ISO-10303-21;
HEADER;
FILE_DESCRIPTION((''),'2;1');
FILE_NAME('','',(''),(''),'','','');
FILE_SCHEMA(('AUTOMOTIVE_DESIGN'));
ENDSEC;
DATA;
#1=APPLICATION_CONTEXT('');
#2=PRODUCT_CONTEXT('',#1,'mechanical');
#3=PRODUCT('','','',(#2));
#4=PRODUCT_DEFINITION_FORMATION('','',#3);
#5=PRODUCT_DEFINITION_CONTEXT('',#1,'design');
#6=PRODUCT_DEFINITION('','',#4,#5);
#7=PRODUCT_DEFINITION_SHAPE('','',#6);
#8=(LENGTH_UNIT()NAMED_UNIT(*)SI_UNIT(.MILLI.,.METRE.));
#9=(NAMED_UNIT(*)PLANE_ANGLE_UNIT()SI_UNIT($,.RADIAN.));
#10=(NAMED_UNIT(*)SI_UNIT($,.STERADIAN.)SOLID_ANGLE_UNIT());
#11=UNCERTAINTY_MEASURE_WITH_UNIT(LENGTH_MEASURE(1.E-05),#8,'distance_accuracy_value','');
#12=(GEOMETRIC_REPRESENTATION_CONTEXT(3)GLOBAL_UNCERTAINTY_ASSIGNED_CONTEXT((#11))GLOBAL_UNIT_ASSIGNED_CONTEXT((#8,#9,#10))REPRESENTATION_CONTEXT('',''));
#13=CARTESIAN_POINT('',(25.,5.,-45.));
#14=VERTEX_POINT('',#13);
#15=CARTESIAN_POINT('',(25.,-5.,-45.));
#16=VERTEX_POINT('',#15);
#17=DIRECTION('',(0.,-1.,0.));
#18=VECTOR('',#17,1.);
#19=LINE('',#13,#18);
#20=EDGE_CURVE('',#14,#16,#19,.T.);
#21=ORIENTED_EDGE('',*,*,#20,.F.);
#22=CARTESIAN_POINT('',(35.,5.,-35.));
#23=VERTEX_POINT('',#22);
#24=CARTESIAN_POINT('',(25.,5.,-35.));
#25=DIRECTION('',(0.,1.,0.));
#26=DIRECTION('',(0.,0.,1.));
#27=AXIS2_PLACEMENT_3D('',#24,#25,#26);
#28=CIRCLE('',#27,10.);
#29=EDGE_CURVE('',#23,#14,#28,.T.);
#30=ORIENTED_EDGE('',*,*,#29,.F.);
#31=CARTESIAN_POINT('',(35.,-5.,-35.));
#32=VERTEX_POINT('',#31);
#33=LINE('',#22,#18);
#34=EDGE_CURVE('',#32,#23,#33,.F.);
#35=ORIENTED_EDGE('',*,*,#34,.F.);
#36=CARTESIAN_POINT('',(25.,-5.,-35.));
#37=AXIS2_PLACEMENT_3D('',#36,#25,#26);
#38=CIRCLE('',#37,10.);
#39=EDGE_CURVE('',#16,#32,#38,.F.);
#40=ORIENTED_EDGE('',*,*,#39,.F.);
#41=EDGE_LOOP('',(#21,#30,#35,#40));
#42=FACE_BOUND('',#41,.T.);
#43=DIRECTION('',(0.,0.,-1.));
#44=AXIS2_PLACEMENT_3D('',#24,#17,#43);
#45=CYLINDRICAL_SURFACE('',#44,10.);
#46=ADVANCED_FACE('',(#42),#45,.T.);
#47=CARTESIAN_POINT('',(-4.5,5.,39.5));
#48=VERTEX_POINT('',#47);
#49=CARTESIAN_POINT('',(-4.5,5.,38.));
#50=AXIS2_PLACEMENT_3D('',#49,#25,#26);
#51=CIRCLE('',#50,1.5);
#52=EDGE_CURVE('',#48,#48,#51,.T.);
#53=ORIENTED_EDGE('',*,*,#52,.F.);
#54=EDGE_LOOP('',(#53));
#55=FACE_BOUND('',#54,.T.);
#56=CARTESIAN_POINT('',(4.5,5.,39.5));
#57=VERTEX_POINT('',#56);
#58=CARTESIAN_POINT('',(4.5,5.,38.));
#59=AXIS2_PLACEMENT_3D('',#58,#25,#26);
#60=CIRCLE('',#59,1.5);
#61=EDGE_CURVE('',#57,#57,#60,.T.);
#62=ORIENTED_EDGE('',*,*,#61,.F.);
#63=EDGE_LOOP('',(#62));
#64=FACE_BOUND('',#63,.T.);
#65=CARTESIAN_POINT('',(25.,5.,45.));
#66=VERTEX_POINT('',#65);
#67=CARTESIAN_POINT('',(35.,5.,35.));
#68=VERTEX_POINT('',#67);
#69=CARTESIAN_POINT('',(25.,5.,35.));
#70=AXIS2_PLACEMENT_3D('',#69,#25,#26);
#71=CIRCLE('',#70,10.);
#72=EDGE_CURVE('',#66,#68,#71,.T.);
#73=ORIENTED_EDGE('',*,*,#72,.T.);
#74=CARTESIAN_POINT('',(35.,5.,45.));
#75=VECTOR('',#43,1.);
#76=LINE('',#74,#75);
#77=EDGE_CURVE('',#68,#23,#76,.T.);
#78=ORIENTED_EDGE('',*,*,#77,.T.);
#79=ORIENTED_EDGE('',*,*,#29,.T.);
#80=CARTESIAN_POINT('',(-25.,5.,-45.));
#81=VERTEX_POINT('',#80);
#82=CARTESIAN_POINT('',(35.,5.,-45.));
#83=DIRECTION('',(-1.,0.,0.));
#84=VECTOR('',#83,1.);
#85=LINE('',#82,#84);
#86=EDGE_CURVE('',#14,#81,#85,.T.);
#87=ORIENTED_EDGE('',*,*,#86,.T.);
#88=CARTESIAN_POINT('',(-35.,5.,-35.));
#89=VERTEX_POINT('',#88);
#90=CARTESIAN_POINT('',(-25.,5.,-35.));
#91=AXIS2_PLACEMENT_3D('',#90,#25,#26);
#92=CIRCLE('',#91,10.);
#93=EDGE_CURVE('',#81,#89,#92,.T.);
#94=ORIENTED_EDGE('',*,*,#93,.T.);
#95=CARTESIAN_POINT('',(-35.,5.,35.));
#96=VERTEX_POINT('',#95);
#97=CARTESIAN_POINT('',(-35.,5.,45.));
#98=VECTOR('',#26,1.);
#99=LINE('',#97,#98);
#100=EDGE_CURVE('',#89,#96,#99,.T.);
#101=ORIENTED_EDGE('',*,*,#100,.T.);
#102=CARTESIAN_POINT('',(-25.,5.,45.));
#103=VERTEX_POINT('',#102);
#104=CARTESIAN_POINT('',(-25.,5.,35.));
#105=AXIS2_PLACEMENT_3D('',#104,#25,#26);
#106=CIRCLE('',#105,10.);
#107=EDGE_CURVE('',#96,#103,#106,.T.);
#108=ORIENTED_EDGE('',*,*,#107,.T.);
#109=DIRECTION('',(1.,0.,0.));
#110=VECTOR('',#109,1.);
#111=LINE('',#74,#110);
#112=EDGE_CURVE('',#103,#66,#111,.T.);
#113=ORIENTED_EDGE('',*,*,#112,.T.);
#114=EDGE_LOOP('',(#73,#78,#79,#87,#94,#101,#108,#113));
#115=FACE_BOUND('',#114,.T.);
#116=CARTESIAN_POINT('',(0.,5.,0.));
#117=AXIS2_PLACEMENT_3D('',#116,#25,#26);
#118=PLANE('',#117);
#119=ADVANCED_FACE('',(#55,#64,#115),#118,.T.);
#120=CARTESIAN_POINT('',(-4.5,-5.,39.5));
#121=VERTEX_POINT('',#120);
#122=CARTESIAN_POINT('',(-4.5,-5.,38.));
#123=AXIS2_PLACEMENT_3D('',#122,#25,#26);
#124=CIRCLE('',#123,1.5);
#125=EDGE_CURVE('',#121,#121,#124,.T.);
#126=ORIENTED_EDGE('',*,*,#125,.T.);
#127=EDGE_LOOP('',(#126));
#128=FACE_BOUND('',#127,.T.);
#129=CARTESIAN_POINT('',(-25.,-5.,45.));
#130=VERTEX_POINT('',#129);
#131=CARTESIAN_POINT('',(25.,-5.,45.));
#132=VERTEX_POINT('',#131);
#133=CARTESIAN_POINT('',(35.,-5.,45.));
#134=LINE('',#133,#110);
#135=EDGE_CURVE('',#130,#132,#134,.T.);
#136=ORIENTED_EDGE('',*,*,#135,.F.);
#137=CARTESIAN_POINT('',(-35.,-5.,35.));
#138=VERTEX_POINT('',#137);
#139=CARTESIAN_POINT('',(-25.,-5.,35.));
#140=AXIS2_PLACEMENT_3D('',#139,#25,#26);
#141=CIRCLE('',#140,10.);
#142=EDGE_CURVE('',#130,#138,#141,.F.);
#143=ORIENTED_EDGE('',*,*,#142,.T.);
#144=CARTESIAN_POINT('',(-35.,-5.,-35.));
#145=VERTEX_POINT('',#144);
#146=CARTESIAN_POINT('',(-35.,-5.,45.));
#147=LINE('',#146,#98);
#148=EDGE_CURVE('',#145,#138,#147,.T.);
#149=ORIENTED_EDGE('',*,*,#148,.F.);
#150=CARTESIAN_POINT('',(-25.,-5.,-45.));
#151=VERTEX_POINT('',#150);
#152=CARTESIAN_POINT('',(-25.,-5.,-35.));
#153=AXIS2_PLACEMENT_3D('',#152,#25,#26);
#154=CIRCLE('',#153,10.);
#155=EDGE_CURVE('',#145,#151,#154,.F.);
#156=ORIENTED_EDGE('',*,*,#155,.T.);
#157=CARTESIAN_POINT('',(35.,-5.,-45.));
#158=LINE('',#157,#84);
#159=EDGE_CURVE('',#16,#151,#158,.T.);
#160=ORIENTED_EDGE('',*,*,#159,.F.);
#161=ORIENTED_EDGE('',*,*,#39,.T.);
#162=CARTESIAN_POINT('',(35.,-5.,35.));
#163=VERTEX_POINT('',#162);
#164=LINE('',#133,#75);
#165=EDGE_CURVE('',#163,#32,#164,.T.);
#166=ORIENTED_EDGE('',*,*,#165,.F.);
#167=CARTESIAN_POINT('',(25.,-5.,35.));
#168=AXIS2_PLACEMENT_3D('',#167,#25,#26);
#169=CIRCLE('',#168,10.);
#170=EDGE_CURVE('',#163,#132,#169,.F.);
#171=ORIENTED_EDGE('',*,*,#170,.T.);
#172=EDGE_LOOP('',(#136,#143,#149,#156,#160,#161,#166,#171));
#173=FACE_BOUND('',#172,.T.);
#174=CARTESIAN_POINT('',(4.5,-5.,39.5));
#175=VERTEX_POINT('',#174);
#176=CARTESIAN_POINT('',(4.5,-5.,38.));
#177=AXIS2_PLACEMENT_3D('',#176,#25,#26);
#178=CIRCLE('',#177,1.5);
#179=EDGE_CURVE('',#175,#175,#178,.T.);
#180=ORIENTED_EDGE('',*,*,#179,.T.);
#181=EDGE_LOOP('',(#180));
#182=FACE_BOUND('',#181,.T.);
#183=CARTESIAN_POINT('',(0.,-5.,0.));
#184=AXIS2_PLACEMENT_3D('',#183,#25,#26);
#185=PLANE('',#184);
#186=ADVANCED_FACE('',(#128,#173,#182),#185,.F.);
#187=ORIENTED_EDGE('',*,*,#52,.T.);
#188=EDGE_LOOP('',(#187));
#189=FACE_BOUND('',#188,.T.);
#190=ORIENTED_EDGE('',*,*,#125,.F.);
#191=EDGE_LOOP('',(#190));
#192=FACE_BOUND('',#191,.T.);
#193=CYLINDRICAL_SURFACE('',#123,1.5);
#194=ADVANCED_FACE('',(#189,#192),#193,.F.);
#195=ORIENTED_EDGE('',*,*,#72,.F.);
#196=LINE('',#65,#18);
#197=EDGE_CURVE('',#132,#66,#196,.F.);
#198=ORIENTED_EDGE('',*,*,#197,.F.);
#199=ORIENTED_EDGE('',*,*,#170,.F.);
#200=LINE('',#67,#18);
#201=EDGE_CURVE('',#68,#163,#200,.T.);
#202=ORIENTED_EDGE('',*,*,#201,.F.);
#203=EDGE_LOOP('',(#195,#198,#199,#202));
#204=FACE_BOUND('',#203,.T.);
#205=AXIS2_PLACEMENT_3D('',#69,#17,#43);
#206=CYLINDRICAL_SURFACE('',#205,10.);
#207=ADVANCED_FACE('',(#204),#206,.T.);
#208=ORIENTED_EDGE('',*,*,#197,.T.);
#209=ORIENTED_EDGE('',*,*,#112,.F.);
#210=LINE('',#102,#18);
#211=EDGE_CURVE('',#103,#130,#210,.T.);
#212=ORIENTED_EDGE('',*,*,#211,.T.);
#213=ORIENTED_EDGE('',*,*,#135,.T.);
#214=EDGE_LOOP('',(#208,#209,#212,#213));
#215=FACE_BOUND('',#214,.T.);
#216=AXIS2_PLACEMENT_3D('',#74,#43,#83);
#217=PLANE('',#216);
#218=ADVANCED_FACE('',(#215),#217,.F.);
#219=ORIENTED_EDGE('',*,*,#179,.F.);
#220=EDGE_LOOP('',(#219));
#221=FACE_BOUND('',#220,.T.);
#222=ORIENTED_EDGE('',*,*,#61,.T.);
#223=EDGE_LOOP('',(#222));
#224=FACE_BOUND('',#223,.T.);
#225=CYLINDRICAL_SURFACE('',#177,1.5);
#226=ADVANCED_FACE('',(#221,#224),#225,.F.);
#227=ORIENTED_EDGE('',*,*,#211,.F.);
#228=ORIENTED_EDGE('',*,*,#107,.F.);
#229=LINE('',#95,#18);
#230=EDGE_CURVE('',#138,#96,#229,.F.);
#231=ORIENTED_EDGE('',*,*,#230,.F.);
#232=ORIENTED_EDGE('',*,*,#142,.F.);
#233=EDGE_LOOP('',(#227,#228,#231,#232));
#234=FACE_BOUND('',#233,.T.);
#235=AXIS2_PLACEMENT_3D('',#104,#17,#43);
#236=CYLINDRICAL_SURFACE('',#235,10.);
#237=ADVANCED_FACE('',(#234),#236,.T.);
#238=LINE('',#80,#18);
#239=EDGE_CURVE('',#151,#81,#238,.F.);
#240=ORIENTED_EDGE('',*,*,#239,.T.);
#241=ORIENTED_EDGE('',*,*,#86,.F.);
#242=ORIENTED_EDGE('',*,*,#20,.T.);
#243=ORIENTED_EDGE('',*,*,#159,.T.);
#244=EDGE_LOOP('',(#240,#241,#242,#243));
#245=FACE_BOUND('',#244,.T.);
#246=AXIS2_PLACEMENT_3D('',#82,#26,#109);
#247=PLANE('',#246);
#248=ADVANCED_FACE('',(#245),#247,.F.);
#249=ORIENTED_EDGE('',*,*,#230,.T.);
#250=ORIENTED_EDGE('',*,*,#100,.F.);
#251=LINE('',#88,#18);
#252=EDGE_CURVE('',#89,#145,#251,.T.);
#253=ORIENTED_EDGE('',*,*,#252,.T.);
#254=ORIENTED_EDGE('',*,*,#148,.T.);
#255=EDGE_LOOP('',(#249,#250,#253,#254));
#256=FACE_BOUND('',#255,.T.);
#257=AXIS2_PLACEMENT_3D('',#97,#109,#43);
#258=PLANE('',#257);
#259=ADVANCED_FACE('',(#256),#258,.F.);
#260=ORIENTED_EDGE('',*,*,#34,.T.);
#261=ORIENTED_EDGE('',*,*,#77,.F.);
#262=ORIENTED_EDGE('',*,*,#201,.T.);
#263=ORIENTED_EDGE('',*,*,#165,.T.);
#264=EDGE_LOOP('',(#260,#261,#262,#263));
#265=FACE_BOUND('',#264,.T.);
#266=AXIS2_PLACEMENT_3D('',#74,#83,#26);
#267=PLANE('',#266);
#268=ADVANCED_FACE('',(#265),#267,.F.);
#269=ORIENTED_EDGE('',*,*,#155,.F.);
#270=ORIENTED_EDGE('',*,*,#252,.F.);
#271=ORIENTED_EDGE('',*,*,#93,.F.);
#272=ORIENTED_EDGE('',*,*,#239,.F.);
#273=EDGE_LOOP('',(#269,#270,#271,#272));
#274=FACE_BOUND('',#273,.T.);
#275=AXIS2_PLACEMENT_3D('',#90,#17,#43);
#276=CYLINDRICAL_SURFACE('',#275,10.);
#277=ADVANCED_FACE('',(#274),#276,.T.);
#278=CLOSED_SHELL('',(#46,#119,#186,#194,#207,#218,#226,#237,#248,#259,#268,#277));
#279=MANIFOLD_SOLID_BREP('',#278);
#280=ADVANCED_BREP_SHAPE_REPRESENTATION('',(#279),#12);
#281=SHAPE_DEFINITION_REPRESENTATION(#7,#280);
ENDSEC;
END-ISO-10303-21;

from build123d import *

# Parameters (mm, degrees)
SKETCH1_W           = 70
SKETCH1_H           = 90
BOSS_EXTRUDE1_DEPTH = 5
FILLET1_R           = 10
SKETCH2_R           = 1.5
CUT_EXTRUDE1_DEPTH  = 10


with BuildPart() as part:
    # Sketch1 → Boss-Extrude1 (new, symmetric)
    with BuildSketch(Plane(origin=(0, 0, 0), x_dir=(1, 0, 0), z_dir=(0, 1, 0))):
        Rectangle(SKETCH1_W, SKETCH1_H)
    extrude(amount=BOSS_EXTRUDE1_DEPTH, both=True)

    # Fillet1
    fillet1_edges = [part.edges().sort_by_distance(p)[0] for p in [
        (-35, 0, -45),
        (35, 0, -45),
        (35, 0, 45),
        (-35, 0, 45),
    ]]
    fillet(fillet1_edges, radius=FILLET1_R)

    # Sketch2 → Cut-Extrude1 (cut)
    with BuildSketch(Plane(origin=(0, 5, 0), x_dir=(1, 0, 0), z_dir=(0, 1, 0))):
        with Locations(Location((-4.5, -38, 0), (0, 0, 270))):
            Circle(SKETCH2_R)
        with Locations(Location((4.5, -38, 0), (0, 0, 270))):
            Circle(SKETCH2_R)
    extrude(amount=-CUT_EXTRUDE1_DEPTH, mode=Mode.SUBTRACT)


solid = part.part
